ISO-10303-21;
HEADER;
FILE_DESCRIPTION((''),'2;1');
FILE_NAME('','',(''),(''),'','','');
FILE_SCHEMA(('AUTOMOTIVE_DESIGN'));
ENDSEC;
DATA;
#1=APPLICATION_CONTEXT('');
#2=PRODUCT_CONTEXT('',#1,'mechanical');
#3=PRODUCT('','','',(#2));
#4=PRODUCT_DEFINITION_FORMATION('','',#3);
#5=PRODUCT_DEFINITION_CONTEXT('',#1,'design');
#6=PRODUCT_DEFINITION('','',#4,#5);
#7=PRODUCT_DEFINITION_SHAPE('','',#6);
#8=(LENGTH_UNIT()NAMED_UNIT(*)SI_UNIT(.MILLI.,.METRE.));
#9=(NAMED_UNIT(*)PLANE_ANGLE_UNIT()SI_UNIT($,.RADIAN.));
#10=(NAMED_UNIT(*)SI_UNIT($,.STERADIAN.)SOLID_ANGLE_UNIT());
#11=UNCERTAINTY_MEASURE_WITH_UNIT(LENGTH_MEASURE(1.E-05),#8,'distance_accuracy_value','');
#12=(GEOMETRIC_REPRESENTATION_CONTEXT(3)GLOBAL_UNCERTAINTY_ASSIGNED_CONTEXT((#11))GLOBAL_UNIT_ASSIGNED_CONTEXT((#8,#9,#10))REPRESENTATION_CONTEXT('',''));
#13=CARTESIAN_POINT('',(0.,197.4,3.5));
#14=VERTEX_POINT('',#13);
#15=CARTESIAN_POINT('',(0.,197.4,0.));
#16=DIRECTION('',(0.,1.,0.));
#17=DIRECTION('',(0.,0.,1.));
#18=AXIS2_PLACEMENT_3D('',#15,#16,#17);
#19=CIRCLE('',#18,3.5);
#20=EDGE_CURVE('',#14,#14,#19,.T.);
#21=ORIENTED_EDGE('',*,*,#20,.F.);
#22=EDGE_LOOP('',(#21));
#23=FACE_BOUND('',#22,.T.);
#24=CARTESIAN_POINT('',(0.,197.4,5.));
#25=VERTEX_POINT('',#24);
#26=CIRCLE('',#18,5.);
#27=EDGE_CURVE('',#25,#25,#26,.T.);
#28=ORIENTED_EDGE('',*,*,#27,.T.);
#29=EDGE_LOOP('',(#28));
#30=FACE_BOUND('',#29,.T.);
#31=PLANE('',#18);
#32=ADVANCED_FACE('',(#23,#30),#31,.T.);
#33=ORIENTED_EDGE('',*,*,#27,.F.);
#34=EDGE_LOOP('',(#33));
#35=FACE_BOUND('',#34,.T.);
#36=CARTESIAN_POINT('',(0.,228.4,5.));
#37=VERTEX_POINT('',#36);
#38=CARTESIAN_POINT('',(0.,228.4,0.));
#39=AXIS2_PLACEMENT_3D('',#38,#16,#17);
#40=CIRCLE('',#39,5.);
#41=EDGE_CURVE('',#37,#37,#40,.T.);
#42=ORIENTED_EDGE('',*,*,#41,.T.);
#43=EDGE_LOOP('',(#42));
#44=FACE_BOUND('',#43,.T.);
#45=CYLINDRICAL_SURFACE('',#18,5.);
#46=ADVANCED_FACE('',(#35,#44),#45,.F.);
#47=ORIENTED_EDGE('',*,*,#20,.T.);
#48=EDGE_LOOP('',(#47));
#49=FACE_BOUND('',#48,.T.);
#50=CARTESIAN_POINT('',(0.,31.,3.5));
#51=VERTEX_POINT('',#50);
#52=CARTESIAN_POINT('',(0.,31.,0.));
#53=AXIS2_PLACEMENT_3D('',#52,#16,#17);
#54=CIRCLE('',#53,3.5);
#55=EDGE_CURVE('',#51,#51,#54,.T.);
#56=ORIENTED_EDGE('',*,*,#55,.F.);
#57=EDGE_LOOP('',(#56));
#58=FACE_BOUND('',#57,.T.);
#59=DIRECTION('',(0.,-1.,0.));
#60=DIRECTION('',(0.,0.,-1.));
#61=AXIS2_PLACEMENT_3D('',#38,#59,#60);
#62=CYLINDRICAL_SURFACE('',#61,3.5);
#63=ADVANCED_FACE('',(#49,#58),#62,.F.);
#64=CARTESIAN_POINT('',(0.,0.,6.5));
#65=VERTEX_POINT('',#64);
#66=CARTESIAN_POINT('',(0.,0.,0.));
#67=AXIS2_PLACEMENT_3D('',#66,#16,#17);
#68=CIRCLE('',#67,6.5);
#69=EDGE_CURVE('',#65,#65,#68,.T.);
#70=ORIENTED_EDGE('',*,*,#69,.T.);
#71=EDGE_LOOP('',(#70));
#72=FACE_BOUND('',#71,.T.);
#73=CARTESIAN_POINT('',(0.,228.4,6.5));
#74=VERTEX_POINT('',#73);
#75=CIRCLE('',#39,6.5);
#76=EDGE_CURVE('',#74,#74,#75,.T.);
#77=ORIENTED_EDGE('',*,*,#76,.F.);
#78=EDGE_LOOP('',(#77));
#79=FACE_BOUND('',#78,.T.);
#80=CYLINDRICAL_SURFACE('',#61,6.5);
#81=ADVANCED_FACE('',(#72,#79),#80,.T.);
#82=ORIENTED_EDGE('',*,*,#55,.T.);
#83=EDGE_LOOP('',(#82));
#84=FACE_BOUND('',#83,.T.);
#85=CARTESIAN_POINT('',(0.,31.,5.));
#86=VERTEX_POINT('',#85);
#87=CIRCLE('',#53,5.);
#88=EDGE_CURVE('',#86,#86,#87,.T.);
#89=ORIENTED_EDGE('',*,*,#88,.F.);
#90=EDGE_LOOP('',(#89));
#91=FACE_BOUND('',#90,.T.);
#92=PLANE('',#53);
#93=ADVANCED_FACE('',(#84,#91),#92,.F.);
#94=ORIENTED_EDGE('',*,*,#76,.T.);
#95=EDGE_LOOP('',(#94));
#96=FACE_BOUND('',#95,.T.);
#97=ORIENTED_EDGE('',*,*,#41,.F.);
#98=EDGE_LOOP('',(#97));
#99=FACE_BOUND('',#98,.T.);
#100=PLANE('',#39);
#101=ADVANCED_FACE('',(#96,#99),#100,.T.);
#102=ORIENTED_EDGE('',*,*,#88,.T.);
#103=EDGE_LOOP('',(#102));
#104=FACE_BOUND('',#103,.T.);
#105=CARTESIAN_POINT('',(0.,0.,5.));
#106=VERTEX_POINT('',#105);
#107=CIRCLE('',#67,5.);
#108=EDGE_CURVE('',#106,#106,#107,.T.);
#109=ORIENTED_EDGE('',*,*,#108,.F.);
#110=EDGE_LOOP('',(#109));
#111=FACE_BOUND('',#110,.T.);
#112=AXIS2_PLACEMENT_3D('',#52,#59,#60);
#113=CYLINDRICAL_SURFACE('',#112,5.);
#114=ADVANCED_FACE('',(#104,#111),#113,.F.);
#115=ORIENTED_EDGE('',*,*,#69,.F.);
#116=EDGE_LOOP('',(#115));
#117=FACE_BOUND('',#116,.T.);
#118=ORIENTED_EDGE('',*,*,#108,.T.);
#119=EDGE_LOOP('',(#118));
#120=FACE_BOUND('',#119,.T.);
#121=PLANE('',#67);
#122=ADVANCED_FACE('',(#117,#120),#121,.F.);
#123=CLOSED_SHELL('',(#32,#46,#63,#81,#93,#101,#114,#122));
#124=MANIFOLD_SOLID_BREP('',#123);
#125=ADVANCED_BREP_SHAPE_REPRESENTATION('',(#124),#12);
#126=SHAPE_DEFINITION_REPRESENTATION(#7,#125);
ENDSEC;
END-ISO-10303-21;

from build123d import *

# Parameters (mm, degrees)
SKETCH1_R           = 6.5
SKETCH1_R_2         = 3.5
BOSS_EXTRUDE1_DEPTH = 228.4
SKETCH2_R           = 5
CUT_EXTRUDE1_DEPTH  = 31
CUT_EXTRUDE2_START  = -197.4
SKETCH2_2_R         = 5
CUT_EXTRUDE2_DEPTH  = 31


with BuildPart() as part:
    # Sketch1 → Boss-Extrude1 (new body)
    with BuildSketch(Plane(origin=(0, 0, 0), x_dir=(1, 0, 0), z_dir=(0, 1, 0))):
        with Locations(Location((0, 0, 0), (0, 0, 270))):
            Circle(SKETCH1_R)
        with Locations(Location((0, 0, 0), (0, 0, 270))):
            Circle(SKETCH1_R_2, mode=Mode.SUBTRACT)
    extrude(amount=BOSS_EXTRUDE1_DEPTH)

    # Sketch2 → Cut-Extrude1 (cut)
    with BuildSketch(Plane(origin=(0, 228.4, 0), x_dir=(1, 0, 0), z_dir=(0, 1, 0))):
        with Locations(Location((0, 0, 0), (0, 0, 270))):
            Circle(SKETCH2_R)
    extrude(amount=-CUT_EXTRUDE1_DEPTH, mode=Mode.SUBTRACT)

    # Sketch2<2> → Cut-Extrude2 (cut)
    with BuildSketch(Plane(origin=(0, 228.4, 0), x_dir=(1, 0, 0), z_dir=(0, 1, 0)).offset(CUT_EXTRUDE2_START)):
        with Locations(Location((0, 0, 0), (0, 0, 270))):
            Circle(SKETCH2_2_R)
    extrude(amount=-CUT_EXTRUDE2_DEPTH, mode=Mode.SUBTRACT)


solid = part.part
